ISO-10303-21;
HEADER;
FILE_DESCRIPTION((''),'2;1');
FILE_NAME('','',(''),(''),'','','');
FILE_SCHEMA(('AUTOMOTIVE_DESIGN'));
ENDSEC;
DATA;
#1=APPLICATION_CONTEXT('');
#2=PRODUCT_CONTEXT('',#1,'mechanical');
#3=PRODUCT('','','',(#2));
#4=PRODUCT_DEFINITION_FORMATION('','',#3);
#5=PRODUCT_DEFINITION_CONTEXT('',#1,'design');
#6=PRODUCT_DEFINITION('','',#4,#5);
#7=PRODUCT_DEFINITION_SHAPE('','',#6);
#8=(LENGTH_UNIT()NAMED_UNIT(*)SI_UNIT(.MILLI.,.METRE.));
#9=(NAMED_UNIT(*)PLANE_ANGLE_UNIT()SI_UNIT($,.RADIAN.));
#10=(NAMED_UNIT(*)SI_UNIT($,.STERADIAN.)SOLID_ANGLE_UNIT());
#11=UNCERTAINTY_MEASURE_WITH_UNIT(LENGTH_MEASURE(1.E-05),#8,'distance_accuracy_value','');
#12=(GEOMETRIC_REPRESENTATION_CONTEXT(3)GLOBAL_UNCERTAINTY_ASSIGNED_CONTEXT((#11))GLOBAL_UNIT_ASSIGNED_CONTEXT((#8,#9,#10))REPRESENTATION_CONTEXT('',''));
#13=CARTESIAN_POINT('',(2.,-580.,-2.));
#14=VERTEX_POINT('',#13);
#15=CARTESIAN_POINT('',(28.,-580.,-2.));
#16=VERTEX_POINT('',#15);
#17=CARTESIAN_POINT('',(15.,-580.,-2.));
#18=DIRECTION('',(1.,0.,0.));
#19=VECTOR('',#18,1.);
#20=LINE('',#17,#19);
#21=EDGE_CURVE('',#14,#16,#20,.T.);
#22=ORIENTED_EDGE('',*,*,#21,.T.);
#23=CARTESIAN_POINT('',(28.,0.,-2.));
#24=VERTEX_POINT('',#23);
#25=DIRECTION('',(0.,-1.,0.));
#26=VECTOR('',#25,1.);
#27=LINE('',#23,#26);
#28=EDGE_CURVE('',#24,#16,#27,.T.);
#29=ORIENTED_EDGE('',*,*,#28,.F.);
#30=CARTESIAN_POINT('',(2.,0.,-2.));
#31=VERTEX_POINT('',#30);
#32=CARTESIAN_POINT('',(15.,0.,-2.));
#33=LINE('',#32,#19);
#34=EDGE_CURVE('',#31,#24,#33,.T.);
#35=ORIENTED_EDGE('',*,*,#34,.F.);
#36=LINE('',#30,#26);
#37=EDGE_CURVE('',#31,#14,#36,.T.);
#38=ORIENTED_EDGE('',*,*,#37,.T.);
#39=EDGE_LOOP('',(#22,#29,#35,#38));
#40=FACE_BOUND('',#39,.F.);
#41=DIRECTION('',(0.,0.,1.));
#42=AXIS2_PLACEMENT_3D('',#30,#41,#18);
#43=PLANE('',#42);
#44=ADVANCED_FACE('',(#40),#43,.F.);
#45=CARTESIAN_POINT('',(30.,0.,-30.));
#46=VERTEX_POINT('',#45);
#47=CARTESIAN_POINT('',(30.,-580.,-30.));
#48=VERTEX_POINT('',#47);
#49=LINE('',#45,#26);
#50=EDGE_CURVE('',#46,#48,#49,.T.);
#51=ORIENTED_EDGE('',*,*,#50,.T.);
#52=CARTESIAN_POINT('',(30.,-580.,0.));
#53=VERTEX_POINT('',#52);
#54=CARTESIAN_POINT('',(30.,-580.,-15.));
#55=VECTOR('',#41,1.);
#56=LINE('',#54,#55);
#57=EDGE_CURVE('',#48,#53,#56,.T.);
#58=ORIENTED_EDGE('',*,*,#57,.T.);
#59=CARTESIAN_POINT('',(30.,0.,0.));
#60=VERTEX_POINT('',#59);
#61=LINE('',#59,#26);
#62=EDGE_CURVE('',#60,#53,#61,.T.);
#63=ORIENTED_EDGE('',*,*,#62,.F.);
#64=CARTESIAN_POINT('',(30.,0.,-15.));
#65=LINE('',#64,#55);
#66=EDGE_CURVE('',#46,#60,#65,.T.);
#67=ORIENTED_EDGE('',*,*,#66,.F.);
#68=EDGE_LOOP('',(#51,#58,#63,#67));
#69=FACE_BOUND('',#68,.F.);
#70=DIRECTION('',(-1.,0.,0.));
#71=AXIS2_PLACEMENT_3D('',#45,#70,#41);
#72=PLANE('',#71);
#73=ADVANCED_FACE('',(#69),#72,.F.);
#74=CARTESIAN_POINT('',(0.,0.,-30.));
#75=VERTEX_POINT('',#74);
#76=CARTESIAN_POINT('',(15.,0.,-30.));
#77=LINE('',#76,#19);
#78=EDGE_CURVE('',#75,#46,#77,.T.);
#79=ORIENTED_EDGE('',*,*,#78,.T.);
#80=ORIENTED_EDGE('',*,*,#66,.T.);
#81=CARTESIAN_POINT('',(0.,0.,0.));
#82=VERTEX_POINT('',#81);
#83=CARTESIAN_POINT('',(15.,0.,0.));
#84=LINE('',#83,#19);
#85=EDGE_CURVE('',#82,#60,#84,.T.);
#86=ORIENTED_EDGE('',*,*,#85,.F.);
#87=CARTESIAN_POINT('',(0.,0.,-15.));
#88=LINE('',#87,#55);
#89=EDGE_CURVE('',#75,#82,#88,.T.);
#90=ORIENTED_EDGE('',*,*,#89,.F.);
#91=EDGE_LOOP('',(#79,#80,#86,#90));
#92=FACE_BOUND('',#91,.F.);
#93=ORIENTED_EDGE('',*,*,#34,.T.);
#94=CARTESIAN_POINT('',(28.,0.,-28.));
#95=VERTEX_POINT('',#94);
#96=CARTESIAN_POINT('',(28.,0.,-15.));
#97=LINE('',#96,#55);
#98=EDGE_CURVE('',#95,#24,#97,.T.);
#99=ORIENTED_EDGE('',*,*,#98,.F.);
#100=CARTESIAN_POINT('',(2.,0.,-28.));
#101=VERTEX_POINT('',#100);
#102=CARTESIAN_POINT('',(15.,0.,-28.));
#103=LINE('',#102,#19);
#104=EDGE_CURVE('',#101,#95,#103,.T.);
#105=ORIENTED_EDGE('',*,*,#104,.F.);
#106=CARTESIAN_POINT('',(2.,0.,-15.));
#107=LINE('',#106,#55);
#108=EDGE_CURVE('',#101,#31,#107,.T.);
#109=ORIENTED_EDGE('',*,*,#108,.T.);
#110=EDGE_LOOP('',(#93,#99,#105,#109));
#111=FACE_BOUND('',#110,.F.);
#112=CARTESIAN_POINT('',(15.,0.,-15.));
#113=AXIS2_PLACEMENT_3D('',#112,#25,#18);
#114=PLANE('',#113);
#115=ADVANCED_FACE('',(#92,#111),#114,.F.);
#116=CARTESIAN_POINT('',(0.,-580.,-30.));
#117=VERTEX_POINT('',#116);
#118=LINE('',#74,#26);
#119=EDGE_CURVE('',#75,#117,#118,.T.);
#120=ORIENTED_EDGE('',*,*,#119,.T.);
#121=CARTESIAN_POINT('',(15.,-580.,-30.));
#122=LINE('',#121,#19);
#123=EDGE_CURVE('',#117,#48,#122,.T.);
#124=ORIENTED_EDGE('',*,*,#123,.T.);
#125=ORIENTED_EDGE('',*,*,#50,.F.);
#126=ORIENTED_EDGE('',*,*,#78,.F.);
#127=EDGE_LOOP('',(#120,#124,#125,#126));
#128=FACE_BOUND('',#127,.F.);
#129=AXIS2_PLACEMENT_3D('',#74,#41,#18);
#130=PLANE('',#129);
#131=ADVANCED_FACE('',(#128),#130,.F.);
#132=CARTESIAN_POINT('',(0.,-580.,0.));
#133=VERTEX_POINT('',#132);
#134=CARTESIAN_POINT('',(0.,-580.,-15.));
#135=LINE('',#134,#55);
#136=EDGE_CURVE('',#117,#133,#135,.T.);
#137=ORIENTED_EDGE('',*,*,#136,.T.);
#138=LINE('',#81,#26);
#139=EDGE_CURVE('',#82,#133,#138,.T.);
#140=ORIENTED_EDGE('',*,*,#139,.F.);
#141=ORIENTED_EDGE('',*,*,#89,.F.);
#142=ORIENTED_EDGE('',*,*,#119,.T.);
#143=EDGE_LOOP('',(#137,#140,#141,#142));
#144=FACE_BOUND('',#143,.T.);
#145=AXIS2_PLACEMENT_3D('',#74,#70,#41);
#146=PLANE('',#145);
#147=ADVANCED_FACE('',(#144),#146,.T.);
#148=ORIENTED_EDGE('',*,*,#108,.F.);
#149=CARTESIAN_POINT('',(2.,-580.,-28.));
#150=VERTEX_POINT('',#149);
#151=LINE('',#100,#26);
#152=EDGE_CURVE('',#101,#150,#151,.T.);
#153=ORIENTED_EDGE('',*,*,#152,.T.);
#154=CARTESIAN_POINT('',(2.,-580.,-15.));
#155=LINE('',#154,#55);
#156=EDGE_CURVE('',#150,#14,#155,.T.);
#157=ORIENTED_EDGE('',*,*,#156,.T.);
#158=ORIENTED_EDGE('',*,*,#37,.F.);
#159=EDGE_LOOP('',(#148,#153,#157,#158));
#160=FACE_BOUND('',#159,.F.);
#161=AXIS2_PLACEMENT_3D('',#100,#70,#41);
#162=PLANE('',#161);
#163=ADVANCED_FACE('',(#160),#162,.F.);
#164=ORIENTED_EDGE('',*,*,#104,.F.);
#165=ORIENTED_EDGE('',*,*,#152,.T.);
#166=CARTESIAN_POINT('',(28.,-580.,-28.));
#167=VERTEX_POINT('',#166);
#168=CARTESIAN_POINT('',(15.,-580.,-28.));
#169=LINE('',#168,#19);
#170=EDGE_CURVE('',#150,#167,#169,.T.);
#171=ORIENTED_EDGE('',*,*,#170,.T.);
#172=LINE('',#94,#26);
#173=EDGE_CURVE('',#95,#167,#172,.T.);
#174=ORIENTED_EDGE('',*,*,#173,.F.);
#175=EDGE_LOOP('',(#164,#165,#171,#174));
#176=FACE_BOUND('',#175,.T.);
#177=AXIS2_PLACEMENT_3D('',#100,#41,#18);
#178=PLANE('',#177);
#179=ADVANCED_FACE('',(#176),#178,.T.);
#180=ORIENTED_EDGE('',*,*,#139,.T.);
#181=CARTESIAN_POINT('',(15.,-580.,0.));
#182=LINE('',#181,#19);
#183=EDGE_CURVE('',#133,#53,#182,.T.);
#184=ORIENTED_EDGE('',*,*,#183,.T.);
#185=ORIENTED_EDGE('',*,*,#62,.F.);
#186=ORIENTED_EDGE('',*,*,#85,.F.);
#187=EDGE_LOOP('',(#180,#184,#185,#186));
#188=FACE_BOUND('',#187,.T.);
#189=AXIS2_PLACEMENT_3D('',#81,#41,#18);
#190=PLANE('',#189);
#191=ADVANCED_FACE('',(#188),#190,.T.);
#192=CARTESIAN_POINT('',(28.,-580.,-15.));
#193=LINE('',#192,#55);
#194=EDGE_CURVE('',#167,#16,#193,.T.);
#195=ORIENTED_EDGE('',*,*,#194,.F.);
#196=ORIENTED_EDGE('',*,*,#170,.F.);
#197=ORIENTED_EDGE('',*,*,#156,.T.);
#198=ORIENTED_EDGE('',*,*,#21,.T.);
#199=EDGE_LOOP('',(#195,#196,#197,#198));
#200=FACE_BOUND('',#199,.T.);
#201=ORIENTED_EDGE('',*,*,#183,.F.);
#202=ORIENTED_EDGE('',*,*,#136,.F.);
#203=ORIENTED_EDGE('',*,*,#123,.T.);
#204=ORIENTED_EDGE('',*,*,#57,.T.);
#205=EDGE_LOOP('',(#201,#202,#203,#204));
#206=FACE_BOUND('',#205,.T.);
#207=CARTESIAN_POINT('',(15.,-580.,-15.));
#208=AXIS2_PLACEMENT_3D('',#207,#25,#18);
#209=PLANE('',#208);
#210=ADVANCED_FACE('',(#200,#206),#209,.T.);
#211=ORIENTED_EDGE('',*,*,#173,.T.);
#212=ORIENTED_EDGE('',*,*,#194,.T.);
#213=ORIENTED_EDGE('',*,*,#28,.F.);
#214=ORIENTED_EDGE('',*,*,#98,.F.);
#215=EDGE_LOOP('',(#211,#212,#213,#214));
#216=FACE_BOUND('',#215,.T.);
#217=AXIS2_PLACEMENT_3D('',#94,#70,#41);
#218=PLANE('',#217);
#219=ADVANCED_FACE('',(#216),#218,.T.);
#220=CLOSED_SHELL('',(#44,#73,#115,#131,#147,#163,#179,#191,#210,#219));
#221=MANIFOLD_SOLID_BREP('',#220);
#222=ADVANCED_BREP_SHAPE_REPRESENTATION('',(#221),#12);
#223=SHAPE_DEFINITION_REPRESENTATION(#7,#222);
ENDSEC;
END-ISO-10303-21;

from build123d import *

# Parameters (mm, degrees)
SKETCH002_W   = 30
SKETCH002_H   = 30
SKETCH002_W_2 = 26
SKETCH002_H_2 = 26
PAD002_DEPTH  = 580


with BuildPart() as part:
    # Sketch002 → Pad002 (new body)
    with BuildSketch(Plane.XZ):
        with Locations((15, -15)):
            Rectangle(SKETCH002_W, SKETCH002_H)
        with Locations((15, -15)):
            Rectangle(SKETCH002_W_2, SKETCH002_H_2, mode=Mode.SUBTRACT)
    extrude(amount=PAD002_DEPTH)


solid = part.part
